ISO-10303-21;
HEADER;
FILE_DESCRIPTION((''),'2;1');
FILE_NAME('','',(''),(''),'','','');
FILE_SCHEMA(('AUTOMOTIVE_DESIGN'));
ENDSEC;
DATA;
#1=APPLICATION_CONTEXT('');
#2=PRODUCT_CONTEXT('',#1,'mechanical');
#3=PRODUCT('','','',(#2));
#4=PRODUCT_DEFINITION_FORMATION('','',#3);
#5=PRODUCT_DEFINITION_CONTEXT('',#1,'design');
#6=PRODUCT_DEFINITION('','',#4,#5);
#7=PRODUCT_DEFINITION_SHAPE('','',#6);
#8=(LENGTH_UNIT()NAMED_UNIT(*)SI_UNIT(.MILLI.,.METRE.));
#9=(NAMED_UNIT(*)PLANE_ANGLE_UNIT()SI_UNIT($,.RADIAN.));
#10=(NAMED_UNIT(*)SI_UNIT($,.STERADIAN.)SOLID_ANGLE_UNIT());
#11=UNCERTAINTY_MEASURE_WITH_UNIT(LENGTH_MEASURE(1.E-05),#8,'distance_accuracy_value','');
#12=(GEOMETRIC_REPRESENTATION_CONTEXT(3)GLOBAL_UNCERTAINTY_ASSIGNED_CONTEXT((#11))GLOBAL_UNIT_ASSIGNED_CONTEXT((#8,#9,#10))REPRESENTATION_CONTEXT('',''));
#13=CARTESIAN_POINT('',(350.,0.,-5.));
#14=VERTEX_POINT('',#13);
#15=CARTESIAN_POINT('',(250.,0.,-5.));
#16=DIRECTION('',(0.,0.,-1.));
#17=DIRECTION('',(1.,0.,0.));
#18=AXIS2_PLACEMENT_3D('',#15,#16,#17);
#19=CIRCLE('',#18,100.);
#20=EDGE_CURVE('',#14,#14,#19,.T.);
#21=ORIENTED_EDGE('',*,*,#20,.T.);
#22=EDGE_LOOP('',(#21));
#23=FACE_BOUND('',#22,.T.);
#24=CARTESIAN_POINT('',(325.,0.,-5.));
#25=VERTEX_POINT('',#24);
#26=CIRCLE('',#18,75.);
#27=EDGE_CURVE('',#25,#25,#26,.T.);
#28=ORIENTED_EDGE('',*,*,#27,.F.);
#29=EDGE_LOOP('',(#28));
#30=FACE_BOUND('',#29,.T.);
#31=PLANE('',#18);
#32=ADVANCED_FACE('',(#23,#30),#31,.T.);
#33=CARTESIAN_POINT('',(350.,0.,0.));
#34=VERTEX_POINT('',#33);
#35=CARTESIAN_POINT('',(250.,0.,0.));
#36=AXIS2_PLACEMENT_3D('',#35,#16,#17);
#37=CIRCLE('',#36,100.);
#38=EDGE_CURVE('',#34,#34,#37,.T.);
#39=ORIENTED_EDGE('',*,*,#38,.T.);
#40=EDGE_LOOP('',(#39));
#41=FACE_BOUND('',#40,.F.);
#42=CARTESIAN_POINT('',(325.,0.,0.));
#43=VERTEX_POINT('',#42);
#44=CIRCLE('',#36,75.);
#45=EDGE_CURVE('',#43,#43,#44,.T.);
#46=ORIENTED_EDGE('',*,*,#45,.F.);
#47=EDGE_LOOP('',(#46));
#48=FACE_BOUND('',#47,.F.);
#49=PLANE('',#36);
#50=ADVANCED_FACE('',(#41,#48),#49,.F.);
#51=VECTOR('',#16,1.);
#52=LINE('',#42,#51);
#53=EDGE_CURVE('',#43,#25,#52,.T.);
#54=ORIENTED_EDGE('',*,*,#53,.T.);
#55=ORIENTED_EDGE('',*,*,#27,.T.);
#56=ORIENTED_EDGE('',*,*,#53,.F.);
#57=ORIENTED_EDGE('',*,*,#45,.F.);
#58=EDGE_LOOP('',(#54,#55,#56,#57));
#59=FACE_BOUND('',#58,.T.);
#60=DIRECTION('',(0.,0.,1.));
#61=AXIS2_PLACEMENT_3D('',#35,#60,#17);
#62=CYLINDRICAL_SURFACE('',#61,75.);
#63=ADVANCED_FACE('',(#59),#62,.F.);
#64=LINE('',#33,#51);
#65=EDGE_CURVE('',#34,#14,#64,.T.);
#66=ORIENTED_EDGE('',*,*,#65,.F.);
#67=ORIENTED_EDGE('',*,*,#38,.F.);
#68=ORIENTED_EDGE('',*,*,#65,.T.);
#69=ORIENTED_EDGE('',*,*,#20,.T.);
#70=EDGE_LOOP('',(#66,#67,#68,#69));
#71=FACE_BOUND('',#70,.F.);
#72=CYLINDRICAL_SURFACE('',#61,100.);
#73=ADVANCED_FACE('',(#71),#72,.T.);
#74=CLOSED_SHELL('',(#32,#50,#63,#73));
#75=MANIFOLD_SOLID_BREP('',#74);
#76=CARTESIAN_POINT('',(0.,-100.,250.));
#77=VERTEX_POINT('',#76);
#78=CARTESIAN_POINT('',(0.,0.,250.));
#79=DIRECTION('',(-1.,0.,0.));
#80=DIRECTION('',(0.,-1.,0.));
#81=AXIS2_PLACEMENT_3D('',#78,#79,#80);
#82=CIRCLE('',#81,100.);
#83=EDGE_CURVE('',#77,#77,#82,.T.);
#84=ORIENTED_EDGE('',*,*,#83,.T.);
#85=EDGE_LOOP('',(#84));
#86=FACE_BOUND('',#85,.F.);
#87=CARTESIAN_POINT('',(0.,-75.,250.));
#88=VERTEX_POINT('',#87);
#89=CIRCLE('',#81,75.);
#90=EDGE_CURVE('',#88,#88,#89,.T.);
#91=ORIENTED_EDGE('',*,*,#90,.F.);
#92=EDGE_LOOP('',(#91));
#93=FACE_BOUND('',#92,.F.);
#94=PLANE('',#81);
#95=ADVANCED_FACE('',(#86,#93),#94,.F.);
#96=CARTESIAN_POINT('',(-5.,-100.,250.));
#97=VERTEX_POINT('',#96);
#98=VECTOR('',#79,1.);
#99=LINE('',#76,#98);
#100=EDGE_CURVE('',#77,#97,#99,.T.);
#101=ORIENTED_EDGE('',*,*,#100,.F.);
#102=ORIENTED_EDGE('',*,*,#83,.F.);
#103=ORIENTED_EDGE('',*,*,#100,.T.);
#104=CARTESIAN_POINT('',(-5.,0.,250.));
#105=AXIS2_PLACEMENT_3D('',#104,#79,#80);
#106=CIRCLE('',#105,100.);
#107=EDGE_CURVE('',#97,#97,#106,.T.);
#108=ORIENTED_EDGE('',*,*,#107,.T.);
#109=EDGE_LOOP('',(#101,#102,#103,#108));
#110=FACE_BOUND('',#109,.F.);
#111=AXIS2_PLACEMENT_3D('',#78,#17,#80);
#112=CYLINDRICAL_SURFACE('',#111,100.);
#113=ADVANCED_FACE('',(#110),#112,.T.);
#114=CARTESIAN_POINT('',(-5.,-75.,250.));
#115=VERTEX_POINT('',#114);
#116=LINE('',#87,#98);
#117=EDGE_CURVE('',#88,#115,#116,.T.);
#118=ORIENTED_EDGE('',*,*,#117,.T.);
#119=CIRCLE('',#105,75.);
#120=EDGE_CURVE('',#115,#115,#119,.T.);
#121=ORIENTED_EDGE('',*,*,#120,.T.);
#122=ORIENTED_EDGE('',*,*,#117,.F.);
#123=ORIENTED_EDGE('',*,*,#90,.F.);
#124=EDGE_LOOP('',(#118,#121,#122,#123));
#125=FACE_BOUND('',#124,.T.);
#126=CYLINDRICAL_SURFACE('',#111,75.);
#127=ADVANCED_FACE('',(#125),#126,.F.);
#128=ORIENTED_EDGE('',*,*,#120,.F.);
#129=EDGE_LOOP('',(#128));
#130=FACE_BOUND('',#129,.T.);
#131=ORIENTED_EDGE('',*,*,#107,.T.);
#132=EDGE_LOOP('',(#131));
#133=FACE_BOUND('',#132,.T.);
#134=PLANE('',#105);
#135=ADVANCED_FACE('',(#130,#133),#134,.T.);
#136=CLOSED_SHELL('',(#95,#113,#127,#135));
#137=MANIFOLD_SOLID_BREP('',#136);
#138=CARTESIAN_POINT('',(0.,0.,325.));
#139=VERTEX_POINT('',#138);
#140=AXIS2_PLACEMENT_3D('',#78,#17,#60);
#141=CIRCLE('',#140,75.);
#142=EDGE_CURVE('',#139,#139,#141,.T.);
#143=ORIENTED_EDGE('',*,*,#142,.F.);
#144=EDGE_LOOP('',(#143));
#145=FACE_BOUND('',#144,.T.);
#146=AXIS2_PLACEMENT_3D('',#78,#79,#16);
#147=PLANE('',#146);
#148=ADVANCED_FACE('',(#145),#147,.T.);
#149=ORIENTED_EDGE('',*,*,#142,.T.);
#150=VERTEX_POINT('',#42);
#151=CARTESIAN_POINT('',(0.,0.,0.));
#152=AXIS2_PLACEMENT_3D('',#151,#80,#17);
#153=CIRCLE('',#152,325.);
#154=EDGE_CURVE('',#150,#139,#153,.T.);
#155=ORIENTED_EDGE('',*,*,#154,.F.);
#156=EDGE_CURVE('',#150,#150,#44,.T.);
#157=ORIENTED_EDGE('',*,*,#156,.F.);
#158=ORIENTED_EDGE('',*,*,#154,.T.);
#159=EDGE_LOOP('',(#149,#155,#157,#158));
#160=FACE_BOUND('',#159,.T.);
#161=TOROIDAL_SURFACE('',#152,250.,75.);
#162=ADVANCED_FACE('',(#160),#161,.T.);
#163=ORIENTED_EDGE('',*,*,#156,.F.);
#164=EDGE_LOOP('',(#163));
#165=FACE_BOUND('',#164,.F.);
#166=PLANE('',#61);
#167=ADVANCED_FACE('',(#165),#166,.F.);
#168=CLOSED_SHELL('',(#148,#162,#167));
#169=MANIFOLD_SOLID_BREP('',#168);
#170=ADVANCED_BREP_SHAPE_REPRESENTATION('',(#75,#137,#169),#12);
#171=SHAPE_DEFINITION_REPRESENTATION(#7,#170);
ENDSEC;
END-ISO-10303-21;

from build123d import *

# Parameters (mm, degrees)
F1_R     = 75
F3_R     = 100
F3_R_2   = 75
F4_DEPTH = 5
F5_R     = 100
F5_R_2   = 75
F6_DEPTH = 5


with BuildPart() as f2:
    # F2: sweep along a path in F0
    with BuildLine(Plane.XZ) as f2_path:
        ThreePointArc((250, 0), (176.7766952966, 176.7766952966), (0, 250))
    # F1 (on Top) → F2 (sweep)
    with BuildSketch(Plane.XY):
        with Locations((250, 0)):
            Circle(F1_R)
    sweep(path=f2_path.line)


with BuildPart() as f4:
    # F3 (on face) → F4 (new body)
    with BuildSketch(Plane(origin=(0, 0, 0), x_dir=(1, 0, 0), z_dir=(0, 0, -1))):
        with Locations((250, 0)):
            Circle(F3_R)
        with Locations((250, 0)):
            Circle(F3_R_2, mode=Mode.SUBTRACT)
    extrude(amount=F4_DEPTH)


with BuildPart() as f6:
    # F5 (on face) → F6 (new body)
    with BuildSketch(Plane(origin=(0, 0, 0), x_dir=(0, -1, 0), z_dir=(-1, 0, 0))):
        with Locations((0, 250)):
            Circle(F5_R)
        with Locations((0, 250)):
            Circle(F5_R_2, mode=Mode.SUBTRACT)
    extrude(amount=F6_DEPTH)


solid = Compound([f2.part, f4.part, f6.part])
